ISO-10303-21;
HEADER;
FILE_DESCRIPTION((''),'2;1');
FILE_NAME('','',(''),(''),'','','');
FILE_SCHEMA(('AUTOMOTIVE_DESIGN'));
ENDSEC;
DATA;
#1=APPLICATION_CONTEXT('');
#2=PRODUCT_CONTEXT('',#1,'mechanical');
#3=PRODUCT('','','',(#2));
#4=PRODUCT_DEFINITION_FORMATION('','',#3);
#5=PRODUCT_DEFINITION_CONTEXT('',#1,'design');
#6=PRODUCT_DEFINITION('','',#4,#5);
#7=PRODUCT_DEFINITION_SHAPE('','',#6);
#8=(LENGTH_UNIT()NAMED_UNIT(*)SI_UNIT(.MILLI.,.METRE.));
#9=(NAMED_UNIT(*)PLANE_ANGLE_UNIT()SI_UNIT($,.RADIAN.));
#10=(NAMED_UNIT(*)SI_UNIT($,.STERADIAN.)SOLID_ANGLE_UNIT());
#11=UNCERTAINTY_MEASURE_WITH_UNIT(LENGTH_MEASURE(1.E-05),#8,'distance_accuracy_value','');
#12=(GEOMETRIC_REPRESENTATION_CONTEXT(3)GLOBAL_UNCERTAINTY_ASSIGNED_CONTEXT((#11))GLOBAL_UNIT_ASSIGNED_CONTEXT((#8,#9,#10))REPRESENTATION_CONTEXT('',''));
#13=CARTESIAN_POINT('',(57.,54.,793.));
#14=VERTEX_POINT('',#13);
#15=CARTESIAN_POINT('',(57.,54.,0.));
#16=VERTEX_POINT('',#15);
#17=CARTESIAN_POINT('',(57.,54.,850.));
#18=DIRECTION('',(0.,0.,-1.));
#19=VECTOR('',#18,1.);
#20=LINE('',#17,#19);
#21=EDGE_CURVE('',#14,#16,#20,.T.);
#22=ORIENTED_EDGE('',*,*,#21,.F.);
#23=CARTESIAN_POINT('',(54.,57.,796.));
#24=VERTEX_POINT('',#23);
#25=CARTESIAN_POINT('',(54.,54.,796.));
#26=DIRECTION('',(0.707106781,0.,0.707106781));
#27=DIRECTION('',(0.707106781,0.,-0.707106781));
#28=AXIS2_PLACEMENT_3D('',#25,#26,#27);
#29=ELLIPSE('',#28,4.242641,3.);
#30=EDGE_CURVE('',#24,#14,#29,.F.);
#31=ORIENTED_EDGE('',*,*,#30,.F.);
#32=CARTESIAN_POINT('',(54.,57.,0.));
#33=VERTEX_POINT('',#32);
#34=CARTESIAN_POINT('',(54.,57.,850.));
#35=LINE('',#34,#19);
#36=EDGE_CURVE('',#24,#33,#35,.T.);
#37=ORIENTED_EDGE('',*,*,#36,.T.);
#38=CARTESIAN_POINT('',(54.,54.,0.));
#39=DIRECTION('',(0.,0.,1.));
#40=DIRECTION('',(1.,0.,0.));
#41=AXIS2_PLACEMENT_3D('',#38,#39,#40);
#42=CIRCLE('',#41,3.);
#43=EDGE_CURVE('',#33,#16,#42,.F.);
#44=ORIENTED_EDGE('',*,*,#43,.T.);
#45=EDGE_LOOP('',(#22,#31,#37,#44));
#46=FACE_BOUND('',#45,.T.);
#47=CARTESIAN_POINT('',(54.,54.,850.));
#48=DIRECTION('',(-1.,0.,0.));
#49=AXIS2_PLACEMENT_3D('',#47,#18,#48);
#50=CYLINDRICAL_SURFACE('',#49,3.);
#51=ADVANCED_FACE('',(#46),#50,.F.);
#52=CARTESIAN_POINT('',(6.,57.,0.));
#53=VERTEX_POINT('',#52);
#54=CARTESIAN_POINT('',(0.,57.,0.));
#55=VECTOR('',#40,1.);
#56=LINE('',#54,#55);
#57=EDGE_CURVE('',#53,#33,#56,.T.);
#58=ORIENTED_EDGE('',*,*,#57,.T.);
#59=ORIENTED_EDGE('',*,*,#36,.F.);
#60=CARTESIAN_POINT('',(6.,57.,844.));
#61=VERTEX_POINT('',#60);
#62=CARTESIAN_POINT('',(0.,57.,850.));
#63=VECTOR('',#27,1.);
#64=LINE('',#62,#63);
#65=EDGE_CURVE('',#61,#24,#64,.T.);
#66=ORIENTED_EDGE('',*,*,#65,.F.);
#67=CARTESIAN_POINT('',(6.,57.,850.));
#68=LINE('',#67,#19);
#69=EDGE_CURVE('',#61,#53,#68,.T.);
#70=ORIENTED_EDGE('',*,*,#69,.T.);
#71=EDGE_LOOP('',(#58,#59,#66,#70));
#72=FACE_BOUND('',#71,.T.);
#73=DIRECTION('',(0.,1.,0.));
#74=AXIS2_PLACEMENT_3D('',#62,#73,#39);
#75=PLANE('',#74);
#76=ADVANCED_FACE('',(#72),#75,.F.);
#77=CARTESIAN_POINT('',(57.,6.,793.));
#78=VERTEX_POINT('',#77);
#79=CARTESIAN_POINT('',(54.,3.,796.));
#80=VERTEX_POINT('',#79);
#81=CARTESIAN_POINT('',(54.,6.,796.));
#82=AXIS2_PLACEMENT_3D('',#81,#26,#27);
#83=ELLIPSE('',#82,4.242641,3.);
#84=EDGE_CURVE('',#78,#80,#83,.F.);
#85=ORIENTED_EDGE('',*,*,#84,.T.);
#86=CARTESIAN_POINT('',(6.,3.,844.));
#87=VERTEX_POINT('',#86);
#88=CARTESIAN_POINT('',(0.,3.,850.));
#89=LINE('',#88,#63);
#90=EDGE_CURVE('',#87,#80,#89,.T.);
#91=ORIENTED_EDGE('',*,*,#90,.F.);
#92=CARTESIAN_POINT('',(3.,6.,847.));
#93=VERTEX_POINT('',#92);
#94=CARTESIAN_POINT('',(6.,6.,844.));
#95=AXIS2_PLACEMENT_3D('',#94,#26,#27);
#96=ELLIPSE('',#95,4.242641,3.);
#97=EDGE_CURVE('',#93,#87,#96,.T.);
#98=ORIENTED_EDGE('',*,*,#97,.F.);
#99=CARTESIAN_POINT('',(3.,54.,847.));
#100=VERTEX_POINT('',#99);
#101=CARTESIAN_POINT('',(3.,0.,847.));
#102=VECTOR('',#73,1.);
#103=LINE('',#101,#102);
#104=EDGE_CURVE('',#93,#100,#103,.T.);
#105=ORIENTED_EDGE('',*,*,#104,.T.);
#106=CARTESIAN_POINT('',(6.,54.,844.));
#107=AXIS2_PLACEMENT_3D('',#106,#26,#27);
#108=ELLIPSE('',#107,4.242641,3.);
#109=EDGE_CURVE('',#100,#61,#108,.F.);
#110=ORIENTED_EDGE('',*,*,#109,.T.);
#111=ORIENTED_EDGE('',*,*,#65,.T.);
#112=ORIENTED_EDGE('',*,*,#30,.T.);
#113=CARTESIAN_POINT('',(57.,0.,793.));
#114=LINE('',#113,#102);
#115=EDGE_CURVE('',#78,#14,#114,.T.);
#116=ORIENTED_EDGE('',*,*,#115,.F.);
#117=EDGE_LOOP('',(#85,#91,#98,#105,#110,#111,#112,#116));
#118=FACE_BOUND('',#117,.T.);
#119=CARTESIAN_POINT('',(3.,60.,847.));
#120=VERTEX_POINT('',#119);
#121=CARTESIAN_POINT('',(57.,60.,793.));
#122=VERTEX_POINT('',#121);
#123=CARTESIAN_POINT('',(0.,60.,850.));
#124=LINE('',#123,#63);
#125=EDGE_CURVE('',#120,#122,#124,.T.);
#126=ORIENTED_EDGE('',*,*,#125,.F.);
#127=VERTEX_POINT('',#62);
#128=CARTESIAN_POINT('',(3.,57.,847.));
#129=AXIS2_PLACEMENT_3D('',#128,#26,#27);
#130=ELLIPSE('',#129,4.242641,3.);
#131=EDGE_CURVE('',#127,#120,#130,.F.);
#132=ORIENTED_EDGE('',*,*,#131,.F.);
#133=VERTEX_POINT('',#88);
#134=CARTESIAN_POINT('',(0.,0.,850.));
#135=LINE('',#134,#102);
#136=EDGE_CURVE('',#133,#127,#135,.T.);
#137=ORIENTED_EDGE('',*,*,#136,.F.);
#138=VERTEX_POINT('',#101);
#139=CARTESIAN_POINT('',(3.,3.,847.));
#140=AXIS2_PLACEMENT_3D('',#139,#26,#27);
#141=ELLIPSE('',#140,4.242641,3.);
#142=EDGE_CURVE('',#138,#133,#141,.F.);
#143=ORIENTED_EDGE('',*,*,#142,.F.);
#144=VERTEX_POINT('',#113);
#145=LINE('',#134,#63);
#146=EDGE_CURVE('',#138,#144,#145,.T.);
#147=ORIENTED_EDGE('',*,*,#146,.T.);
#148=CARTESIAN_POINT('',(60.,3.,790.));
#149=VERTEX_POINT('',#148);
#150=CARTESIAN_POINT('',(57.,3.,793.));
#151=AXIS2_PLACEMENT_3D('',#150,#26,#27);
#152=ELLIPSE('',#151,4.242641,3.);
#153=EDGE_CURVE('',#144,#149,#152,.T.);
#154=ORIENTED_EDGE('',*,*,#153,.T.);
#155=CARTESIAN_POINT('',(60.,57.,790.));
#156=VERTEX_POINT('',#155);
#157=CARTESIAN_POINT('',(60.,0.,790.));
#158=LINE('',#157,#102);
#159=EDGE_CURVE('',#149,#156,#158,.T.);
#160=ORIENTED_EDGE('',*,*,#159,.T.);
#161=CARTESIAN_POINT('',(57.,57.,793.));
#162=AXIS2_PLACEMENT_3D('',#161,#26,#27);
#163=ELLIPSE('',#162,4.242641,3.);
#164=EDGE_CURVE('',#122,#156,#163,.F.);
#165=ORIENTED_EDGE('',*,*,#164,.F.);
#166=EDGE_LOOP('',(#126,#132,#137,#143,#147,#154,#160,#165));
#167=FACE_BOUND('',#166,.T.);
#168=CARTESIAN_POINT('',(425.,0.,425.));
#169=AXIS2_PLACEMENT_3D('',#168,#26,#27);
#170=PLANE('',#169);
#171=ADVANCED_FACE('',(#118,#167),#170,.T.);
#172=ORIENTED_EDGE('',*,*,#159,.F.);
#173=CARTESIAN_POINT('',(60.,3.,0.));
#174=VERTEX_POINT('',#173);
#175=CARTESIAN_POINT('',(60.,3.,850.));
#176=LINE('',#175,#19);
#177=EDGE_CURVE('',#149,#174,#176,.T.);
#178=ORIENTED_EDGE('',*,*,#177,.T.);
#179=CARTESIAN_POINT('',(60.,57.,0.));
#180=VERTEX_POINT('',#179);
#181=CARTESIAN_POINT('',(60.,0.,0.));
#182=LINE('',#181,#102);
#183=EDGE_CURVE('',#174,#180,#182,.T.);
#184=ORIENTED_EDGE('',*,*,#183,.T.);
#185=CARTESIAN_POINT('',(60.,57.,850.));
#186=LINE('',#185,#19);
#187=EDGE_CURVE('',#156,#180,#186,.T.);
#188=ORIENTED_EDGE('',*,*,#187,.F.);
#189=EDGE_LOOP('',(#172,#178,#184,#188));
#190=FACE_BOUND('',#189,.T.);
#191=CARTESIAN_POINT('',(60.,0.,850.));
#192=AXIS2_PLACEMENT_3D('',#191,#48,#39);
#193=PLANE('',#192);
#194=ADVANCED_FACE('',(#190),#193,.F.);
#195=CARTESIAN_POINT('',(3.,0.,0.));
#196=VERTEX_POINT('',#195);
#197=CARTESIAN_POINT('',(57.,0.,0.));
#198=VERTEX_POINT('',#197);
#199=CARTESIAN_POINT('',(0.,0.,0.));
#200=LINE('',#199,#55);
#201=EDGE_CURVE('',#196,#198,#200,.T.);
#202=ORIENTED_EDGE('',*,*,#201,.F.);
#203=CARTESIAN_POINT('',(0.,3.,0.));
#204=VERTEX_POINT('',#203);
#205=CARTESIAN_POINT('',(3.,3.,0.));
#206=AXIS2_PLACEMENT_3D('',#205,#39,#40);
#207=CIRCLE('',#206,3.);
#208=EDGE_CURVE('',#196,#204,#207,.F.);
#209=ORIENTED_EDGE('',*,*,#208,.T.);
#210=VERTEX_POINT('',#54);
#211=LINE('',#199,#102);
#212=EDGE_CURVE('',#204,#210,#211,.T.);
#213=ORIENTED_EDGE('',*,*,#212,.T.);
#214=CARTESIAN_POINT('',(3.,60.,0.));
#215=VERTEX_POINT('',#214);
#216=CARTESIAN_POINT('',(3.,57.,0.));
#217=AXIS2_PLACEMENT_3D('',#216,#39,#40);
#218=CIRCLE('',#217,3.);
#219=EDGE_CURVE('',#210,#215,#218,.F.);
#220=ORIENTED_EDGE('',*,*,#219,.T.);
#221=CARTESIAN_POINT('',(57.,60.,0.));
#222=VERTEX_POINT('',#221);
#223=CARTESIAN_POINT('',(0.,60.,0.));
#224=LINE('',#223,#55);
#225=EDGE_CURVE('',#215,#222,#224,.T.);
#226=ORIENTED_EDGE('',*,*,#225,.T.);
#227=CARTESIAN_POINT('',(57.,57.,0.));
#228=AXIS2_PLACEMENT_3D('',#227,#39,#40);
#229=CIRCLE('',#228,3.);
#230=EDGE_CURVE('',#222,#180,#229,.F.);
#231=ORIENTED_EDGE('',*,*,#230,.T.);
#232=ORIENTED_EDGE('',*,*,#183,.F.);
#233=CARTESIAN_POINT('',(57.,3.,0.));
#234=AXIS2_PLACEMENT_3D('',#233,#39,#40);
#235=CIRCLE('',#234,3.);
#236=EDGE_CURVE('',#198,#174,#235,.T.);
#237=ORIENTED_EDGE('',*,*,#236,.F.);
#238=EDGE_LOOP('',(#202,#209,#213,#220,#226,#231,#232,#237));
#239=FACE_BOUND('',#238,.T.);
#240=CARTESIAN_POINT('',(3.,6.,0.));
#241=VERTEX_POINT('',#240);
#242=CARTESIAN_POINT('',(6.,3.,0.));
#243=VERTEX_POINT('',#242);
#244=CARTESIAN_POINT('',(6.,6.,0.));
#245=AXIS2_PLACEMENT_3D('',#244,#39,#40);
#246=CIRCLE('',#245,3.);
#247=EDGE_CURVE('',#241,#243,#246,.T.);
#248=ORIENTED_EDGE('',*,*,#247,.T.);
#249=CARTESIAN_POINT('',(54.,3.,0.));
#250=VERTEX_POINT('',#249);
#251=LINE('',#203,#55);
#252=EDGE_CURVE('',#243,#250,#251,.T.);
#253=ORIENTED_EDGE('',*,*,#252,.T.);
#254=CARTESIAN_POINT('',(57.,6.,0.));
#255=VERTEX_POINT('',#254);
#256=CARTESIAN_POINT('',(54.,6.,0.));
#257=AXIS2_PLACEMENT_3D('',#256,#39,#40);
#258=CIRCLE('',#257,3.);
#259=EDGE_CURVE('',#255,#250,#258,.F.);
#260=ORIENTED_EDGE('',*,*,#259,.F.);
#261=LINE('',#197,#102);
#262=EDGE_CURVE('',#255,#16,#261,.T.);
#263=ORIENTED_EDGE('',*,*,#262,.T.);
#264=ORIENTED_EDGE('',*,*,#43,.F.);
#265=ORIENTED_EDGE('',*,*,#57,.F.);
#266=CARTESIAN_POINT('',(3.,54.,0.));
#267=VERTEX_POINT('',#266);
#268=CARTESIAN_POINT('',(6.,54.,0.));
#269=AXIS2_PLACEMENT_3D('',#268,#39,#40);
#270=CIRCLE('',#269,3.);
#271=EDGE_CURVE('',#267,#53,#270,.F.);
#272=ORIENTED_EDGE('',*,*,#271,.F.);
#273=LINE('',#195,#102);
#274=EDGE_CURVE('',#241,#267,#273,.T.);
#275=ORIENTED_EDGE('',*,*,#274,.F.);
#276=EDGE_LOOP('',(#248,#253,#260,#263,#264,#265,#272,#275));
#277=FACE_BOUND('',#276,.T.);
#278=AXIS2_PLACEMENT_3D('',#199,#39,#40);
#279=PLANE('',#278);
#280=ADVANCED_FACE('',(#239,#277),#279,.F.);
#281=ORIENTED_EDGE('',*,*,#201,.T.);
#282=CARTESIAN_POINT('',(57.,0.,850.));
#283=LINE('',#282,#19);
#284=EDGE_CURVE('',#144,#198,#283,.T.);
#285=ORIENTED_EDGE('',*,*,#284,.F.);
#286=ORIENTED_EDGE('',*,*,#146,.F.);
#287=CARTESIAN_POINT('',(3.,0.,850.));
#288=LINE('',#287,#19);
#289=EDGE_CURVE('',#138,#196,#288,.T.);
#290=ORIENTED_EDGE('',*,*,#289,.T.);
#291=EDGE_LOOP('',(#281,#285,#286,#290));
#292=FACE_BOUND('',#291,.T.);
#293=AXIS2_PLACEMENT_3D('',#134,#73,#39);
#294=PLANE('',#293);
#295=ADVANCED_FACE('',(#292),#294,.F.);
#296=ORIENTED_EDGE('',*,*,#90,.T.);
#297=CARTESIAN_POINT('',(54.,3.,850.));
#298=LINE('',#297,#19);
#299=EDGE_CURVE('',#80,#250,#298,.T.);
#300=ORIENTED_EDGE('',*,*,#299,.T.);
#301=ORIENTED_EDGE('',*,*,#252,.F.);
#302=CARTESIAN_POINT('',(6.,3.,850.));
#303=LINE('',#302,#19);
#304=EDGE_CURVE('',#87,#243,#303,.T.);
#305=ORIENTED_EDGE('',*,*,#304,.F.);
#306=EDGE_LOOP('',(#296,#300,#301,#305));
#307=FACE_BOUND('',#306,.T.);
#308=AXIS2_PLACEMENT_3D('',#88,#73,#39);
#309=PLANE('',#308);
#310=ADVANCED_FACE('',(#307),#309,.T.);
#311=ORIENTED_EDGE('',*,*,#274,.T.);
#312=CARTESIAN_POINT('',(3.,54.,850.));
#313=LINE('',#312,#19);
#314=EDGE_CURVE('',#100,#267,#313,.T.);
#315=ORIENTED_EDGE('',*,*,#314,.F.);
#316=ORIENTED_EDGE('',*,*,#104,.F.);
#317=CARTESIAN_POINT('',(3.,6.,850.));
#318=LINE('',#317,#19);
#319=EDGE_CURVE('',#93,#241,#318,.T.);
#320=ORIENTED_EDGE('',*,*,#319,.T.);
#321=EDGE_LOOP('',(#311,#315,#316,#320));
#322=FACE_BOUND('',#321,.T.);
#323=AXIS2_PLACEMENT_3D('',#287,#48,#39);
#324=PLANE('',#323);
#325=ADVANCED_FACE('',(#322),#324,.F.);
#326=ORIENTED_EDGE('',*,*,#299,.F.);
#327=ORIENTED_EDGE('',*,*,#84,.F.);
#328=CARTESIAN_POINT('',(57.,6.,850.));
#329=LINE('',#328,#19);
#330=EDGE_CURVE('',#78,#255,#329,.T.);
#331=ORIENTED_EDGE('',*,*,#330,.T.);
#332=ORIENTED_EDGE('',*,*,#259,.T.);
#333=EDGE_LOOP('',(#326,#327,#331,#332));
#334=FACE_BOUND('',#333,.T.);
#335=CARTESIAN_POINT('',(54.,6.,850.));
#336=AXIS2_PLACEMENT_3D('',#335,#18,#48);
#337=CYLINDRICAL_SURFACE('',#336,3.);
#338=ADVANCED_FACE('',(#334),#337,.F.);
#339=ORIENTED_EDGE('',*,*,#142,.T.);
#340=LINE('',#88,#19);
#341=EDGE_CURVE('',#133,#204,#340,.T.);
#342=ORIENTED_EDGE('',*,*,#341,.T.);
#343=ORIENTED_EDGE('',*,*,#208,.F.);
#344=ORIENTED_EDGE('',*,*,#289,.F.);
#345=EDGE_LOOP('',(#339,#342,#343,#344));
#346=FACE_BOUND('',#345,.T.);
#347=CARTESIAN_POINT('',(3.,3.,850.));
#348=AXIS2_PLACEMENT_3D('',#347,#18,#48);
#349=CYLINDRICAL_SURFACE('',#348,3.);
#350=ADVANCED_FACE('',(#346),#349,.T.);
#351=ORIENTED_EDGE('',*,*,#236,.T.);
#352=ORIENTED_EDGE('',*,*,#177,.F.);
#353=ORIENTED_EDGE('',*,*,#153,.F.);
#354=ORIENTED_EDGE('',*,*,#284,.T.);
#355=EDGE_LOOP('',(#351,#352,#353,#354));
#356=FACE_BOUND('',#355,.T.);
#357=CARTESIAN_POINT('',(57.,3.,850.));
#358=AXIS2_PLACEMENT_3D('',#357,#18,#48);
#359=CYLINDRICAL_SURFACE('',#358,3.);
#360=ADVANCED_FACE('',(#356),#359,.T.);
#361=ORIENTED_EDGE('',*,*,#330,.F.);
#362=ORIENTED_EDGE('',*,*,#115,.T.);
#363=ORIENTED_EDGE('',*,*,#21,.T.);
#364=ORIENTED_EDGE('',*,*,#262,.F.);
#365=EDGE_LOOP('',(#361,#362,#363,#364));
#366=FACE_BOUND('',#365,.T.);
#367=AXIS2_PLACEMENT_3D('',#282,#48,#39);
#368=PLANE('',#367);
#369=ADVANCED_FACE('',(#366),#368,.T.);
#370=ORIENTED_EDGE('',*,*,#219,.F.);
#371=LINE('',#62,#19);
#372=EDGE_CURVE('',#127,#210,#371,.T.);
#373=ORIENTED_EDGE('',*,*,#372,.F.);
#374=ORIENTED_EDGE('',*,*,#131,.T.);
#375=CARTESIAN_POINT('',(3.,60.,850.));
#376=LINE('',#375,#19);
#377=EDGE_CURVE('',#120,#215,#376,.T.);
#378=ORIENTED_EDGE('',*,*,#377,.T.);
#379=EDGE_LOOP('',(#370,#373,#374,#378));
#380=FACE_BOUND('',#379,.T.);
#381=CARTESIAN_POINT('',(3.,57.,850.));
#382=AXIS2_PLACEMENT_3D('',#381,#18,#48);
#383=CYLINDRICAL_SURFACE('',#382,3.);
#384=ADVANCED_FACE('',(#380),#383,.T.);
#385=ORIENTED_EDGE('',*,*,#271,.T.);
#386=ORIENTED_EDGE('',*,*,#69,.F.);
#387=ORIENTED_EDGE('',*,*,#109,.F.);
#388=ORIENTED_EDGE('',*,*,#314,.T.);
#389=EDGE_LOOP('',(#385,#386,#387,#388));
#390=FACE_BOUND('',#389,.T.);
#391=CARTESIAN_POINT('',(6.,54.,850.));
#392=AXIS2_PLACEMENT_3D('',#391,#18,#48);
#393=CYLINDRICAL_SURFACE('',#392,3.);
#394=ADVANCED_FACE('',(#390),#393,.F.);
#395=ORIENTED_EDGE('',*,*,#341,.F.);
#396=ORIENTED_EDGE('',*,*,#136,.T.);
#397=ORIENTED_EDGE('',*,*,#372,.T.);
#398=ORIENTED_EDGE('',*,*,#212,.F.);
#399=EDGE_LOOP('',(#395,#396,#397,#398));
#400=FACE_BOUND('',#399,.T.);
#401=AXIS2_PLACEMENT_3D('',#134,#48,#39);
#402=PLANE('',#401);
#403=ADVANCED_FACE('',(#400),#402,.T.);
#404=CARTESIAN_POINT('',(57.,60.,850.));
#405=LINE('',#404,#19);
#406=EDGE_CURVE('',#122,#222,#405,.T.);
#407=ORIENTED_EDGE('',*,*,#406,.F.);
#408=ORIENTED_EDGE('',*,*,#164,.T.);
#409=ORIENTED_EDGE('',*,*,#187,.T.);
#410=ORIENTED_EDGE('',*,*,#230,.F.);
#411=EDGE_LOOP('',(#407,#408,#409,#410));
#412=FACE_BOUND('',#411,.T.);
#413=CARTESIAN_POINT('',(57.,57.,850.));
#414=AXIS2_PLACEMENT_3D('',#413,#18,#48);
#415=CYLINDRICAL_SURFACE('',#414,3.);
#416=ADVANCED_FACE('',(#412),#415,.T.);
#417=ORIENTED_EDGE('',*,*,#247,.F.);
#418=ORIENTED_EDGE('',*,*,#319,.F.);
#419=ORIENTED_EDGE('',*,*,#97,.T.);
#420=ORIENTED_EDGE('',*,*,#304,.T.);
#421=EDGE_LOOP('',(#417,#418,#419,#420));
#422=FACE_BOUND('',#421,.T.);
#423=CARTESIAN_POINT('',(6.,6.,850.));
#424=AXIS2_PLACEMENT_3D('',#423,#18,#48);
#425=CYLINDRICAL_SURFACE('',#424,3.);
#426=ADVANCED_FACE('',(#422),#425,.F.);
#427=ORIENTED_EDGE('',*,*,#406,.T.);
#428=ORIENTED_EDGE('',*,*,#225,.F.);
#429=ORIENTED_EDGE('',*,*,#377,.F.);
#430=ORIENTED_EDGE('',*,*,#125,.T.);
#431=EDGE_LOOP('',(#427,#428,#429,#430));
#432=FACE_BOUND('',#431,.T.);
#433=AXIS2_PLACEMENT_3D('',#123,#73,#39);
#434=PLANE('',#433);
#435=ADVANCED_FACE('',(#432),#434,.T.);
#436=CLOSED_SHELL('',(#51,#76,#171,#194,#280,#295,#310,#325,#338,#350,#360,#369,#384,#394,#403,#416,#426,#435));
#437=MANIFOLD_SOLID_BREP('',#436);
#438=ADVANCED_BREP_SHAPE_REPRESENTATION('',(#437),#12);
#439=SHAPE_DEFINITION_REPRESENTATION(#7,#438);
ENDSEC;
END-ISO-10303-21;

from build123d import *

# Parameters (mm, degrees)
DODANIE_WYCI_GNI_CIE1_DEPTH = 850
SZKIC3_W                    = 183.44852115
SZKIC3_H                    = 118.68309716
WYTNIJ_WYCI_GNI_CIE1_DEPTH  = 605.02814504


with BuildPart() as part:
    # Szkic2 → Dodanie-wyciągnięcie1 (new body)
    with BuildSketch(Plane.XY):
        with BuildLine():
            ThreePointArc((0, 57), (0.878679656, 59.121320344), (3, 60))
            Line((3, 60), (57, 60))
            ThreePointArc((57, 60), (59.121320344, 59.121320344), (60, 57))
            Line((60, 57), (60, 3))
            ThreePointArc((60, 3), (59.121320344, 0.878679656), (57, 0))
            Line((57, 0), (3, 0))
            ThreePointArc((3, 0), (0.878679656, 0.878679656), (0, 3))
            Line((0, 3), (0, 57))
        make_face()
        with BuildLine():
            Line((3, 6), (3, 54))
            ThreePointArc((3, 54), (3.878679656, 56.121320344), (6, 57))
            Line((6, 57), (54, 57))
            ThreePointArc((54, 57), (56.121320344, 56.121320344), (57, 54))
            Line((57, 54), (57, 6))
            ThreePointArc((57, 6), (56.121320344, 3.878679656), (54, 3))
            Line((54, 3), (6, 3))
            ThreePointArc((6, 3), (3.878679656, 3.878679656), (3, 6))
        make_face(mode=Mode.SUBTRACT)
    extrude(amount=DODANIE_WYCI_GNI_CIE1_DEPTH)

    # Szkic3 → Wytnij-wyciągnięcie1 (cut, through all)
    with BuildSketch(Plane(origin=(425, 0, 425), x_dir=(0, 1, 0), z_dir=(0.7071067811865488, 0, 0.7071067811865464))):
        with Locations((36.943590896, 573.417053453)):
            Rectangle(SZKIC3_W, SZKIC3_H)
    extrude(amount=WYTNIJ_WYCI_GNI_CIE1_DEPTH, mode=Mode.SUBTRACT)


solid = part.part
